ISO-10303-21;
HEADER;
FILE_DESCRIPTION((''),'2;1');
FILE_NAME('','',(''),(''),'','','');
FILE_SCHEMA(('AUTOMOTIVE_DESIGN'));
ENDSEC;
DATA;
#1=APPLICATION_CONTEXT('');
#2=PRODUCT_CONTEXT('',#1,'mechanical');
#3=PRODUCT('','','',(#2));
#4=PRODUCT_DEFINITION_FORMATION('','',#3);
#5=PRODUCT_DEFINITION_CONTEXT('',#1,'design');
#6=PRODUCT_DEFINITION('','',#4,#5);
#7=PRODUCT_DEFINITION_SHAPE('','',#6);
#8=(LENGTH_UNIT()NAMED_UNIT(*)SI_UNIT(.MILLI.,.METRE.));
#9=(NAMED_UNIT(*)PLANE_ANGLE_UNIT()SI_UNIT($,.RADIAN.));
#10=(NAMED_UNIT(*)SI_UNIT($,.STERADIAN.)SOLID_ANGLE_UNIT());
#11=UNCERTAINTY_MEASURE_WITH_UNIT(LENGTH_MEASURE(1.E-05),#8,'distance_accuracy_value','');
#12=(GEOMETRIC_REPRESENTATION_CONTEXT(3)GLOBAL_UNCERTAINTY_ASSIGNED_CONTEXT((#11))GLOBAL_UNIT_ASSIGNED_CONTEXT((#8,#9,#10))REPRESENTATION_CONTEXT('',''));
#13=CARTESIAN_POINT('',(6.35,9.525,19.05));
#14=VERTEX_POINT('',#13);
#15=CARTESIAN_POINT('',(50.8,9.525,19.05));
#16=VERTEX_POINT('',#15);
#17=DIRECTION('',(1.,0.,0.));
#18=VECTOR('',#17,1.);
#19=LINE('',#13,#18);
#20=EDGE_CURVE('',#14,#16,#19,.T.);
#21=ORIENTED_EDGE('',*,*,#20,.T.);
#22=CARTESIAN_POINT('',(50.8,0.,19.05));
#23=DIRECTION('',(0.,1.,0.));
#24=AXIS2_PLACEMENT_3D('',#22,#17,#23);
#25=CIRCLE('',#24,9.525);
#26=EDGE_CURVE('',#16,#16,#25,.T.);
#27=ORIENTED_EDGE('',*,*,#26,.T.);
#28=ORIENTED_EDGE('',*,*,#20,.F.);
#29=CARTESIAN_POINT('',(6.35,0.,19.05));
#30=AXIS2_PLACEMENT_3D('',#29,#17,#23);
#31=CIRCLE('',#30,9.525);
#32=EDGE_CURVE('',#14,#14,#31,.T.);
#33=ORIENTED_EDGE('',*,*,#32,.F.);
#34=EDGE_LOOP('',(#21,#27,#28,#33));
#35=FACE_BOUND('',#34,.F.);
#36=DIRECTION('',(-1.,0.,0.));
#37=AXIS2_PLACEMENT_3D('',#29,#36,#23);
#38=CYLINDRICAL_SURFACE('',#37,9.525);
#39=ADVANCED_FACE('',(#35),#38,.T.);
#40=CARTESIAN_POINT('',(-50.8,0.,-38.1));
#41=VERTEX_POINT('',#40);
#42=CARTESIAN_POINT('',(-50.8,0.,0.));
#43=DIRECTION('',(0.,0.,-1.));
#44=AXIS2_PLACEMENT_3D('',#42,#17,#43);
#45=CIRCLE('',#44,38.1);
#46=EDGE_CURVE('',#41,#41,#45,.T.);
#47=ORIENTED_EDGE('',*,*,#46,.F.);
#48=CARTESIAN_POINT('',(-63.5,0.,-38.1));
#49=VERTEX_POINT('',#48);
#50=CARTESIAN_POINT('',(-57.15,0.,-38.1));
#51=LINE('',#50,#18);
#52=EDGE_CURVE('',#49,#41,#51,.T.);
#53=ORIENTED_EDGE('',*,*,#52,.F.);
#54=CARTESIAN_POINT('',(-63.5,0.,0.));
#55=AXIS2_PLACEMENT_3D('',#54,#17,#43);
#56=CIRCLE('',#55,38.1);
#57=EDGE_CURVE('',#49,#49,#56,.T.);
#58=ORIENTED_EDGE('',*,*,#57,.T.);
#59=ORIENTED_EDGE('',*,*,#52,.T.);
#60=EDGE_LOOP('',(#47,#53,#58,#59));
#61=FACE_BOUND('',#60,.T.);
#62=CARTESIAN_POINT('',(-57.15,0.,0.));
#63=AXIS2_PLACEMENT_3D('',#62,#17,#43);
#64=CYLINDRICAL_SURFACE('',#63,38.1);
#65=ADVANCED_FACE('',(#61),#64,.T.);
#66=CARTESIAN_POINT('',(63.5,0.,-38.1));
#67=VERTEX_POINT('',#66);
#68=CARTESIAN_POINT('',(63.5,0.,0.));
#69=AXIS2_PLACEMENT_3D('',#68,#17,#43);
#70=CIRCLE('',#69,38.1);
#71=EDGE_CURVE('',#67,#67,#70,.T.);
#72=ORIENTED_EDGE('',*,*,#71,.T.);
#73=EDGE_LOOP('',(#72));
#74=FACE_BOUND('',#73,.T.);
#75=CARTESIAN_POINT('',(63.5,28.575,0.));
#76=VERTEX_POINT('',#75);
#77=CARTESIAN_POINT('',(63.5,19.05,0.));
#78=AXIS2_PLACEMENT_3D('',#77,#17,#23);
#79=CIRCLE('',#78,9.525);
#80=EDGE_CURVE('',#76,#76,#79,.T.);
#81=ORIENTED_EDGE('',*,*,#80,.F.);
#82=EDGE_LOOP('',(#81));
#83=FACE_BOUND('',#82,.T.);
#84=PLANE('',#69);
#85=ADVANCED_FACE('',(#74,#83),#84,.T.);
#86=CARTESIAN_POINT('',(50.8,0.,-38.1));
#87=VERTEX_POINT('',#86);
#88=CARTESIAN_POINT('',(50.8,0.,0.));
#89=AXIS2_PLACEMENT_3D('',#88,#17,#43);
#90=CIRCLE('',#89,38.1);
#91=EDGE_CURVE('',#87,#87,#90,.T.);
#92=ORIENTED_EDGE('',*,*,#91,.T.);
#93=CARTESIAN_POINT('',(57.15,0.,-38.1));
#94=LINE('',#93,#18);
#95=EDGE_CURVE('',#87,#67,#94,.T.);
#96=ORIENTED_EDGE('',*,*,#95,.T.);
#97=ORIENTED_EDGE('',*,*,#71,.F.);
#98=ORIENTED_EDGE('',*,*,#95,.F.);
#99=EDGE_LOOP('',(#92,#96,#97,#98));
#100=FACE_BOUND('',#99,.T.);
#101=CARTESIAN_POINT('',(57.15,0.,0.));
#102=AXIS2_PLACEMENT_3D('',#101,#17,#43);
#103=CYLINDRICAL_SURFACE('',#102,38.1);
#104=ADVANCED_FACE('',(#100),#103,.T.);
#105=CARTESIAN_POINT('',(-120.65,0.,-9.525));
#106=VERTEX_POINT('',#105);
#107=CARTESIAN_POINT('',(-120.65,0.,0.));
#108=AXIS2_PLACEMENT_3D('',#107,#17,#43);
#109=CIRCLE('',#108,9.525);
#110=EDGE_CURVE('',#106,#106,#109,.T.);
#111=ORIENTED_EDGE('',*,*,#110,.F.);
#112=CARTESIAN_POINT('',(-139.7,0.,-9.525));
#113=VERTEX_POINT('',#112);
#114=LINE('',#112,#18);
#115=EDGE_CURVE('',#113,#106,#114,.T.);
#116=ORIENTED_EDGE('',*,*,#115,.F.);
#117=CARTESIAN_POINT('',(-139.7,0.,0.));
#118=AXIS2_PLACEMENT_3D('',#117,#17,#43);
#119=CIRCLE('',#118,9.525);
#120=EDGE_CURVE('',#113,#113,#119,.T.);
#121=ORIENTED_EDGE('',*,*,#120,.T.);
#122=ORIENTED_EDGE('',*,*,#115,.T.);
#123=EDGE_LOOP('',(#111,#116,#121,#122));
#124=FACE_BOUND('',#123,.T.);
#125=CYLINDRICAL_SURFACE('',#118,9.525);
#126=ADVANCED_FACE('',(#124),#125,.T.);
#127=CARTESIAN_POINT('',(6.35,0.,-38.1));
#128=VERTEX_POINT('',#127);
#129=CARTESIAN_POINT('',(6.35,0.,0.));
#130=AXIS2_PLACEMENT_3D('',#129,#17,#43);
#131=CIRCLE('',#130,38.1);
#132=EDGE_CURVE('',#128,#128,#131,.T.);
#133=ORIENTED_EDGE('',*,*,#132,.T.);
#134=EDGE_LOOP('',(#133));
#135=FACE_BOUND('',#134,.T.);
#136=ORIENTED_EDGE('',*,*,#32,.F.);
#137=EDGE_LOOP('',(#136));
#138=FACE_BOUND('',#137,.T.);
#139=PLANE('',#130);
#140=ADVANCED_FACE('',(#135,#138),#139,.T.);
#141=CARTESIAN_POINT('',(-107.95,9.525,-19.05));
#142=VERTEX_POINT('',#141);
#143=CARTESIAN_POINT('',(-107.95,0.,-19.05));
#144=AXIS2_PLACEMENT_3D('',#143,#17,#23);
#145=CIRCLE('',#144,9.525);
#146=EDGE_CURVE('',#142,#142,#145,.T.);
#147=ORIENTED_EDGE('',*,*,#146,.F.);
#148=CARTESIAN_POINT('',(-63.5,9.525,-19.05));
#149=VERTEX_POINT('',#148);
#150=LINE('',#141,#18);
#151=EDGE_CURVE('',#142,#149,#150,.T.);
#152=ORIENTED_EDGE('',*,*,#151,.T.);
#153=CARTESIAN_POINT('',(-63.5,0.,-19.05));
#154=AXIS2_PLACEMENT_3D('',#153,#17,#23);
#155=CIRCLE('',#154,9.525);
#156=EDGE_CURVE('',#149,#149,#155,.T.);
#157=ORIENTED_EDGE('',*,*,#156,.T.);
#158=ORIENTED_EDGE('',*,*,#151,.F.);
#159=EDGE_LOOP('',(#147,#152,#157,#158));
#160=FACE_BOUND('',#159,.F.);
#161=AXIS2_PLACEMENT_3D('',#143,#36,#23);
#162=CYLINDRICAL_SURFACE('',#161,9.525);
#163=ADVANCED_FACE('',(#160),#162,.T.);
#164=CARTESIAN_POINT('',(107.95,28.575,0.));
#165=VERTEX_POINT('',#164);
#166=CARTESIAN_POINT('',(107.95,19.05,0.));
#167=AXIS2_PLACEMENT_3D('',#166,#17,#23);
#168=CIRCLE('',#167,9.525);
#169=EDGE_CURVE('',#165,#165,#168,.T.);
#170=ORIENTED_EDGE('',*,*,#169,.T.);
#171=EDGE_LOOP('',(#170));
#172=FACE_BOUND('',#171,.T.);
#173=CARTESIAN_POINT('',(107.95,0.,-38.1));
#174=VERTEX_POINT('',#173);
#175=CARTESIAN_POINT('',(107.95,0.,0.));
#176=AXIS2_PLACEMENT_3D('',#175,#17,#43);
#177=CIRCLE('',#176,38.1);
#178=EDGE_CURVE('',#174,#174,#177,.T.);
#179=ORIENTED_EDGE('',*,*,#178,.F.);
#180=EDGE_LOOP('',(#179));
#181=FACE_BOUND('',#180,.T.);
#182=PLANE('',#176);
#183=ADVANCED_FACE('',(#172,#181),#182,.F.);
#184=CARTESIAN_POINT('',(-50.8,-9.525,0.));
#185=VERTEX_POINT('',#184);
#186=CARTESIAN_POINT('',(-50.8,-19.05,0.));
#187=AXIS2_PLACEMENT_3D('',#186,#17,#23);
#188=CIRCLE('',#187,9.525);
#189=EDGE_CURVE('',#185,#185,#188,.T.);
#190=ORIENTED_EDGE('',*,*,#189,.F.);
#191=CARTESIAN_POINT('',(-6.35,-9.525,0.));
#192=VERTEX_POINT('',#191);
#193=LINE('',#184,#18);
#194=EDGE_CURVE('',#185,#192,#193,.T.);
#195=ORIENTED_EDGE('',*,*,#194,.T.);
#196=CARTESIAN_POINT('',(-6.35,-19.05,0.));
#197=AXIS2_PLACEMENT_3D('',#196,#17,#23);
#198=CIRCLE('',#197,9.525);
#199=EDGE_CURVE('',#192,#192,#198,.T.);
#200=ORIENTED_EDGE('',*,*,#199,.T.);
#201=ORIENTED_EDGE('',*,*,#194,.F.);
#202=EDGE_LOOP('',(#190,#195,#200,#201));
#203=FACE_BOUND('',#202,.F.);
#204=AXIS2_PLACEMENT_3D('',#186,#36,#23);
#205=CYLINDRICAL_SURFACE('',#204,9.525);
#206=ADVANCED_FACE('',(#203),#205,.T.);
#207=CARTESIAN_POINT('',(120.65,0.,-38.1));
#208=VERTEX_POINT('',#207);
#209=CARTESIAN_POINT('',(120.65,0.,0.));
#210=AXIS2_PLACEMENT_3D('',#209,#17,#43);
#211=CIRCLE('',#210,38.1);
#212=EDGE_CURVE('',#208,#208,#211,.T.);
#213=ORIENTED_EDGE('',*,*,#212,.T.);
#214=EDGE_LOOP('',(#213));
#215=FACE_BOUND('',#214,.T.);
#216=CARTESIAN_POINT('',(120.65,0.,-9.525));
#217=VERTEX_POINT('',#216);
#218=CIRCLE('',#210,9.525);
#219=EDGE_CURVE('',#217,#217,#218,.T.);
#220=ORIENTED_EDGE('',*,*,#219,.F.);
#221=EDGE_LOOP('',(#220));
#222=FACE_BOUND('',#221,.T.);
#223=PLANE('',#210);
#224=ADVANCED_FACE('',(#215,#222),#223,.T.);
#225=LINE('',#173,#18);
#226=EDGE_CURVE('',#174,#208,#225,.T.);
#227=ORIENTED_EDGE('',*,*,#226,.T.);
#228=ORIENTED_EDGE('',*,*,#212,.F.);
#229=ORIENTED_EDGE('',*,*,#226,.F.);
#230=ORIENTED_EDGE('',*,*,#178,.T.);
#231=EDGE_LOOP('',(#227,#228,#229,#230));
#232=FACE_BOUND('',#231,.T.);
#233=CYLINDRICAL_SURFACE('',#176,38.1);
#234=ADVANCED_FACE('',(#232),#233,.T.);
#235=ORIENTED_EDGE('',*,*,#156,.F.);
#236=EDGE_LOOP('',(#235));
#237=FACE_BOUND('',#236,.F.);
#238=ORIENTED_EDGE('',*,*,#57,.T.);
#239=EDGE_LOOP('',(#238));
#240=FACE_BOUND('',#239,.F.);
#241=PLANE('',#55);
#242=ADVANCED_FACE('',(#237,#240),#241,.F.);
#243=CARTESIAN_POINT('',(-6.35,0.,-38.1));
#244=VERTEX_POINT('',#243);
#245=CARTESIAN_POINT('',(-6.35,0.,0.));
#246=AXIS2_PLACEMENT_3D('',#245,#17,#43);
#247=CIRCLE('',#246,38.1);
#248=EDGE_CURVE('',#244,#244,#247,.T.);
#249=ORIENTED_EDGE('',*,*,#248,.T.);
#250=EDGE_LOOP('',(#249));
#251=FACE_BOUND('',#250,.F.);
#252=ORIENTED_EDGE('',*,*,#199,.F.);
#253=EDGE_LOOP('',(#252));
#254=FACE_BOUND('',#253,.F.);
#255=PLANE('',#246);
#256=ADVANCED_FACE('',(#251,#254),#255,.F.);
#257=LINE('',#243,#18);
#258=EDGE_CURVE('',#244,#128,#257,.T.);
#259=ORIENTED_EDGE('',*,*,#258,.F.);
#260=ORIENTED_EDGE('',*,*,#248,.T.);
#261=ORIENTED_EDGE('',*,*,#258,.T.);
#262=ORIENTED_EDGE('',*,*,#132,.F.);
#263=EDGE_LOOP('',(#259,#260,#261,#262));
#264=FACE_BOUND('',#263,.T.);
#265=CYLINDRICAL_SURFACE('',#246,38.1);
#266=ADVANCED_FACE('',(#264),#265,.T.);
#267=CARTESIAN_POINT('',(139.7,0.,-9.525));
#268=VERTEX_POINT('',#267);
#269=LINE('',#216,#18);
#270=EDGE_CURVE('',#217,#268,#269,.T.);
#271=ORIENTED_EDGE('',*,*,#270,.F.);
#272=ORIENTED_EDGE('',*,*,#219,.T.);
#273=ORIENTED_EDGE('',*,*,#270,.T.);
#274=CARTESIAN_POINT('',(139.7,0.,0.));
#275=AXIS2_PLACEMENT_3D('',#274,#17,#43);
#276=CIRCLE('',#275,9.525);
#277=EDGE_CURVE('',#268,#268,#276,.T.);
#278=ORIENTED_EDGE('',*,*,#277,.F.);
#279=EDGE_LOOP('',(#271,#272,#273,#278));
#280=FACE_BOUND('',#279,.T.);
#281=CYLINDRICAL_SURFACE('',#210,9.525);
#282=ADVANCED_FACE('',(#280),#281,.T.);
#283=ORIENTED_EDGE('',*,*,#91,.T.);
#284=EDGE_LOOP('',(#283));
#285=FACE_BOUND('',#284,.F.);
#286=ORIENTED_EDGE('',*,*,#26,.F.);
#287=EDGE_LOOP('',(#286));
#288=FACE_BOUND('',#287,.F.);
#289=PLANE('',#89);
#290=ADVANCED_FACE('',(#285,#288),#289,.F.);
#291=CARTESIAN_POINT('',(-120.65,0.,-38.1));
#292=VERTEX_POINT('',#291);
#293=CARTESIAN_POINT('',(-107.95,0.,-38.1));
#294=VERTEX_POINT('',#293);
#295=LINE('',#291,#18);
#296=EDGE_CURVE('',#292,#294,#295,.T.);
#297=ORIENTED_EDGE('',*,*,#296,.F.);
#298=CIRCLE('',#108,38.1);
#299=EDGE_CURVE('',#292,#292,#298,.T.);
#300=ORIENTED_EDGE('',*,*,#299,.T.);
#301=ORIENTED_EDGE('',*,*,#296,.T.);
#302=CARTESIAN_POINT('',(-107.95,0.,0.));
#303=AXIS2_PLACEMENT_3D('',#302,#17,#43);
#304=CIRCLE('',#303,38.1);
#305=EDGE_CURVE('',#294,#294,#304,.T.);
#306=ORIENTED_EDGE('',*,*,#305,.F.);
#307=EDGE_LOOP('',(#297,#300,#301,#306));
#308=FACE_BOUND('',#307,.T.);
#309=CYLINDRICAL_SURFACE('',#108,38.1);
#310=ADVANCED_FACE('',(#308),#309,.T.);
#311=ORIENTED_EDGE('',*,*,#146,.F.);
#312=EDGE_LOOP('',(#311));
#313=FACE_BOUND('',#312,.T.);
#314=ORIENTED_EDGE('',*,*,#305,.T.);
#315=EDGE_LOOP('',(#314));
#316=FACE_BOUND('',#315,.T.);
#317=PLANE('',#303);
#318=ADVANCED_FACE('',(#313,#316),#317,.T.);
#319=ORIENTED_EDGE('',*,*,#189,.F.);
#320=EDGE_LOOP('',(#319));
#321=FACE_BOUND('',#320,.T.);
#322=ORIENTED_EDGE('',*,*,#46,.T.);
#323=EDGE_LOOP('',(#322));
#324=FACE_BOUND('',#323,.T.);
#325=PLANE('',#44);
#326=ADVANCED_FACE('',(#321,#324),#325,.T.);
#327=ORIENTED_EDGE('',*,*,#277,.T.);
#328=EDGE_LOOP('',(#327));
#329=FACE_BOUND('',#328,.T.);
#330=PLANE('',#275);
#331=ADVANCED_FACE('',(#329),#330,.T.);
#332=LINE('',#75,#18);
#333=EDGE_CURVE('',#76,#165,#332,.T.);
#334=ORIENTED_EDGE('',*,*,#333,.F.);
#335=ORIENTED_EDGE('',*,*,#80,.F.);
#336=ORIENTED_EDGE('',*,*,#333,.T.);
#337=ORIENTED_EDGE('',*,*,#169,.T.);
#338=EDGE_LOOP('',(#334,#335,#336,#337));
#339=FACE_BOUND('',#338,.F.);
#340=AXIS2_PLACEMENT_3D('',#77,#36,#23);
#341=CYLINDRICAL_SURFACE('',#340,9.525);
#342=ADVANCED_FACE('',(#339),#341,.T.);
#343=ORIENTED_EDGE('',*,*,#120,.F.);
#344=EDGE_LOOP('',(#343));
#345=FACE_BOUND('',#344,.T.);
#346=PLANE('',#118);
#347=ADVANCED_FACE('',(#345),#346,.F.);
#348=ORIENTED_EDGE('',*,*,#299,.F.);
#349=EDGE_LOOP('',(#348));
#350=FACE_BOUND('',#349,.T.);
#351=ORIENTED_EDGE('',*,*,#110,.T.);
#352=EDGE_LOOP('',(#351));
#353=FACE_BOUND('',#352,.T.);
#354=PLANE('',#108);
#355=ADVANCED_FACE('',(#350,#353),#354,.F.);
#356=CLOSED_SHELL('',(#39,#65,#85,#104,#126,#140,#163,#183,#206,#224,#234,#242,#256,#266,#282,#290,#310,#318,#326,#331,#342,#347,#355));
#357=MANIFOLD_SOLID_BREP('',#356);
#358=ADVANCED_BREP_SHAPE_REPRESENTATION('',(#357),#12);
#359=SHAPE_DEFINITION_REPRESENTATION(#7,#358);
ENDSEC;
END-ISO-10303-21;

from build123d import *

# Parameters (mm, degrees)
F0_W     = 12.7
F0_H     = 38.1
F0_W_2   = 6.35
F2_R     = 9.525
F3_DEPTH = 44.45
F4_R     = 9.525
F5_DEPTH = 44.45
F6_R     = 9.525
F7_DEPTH = 44.45
F8_R     = 9.525
F9_DEPTH = 44.45


with BuildPart() as f1:
    # F0 (on Front) → F1 (revolve)
    with BuildSketch(Plane.XZ):
        Polygon((-107.95, 0), (-139.7, 0), (-139.7, -9.525), (-120.65, -9.525), (-120.65, -38.1), (-107.95, -38.1), align=None)
        with Locations((-57.15, -19.05)):
            Rectangle(F0_W, F0_H)
        with Locations((-3.175, -19.05)):
            Rectangle(F0_W_2, F0_H)
        with Locations((3.175, -19.05)):
            Rectangle(F0_W_2, F0_H)
        with Locations((57.15, -19.05)):
            Rectangle(F0_W, F0_H)
        Polygon((107.95, 0), (107.95, -38.1), (120.65, -38.1), (120.65, -9.525), (139.7, -9.525), (139.7, 0), align=None)
    revolve(axis=Axis((14.184596, 0, 0), (1, 0, 0)))

    # F2 (on face) → F3 (join, through all)
    with BuildSketch(Plane.YZ.offset(-107.95)):
        with Locations((0, -19.05)):
            Circle(F2_R)
    extrude(amount=F3_DEPTH)

    # F4 (on face) → F5 (join, through all)
    with BuildSketch(Plane.YZ.offset(-50.8)):
        with Locations((-19.05, 0)):
            Circle(F4_R)
    extrude(amount=F5_DEPTH)

    # F6 (on face) → F7 (join, through all)
    with BuildSketch(Plane.YZ.offset(6.35)):
        with Locations((0, 19.05)):
            Circle(F6_R)
    extrude(amount=F7_DEPTH)

    # F8 (on face) → F9 (join, through all)
    with BuildSketch(Plane.YZ.offset(63.5)):
        with Locations((19.05, 0)):
            Circle(F8_R)
    extrude(amount=F9_DEPTH)


solid = f1.part
